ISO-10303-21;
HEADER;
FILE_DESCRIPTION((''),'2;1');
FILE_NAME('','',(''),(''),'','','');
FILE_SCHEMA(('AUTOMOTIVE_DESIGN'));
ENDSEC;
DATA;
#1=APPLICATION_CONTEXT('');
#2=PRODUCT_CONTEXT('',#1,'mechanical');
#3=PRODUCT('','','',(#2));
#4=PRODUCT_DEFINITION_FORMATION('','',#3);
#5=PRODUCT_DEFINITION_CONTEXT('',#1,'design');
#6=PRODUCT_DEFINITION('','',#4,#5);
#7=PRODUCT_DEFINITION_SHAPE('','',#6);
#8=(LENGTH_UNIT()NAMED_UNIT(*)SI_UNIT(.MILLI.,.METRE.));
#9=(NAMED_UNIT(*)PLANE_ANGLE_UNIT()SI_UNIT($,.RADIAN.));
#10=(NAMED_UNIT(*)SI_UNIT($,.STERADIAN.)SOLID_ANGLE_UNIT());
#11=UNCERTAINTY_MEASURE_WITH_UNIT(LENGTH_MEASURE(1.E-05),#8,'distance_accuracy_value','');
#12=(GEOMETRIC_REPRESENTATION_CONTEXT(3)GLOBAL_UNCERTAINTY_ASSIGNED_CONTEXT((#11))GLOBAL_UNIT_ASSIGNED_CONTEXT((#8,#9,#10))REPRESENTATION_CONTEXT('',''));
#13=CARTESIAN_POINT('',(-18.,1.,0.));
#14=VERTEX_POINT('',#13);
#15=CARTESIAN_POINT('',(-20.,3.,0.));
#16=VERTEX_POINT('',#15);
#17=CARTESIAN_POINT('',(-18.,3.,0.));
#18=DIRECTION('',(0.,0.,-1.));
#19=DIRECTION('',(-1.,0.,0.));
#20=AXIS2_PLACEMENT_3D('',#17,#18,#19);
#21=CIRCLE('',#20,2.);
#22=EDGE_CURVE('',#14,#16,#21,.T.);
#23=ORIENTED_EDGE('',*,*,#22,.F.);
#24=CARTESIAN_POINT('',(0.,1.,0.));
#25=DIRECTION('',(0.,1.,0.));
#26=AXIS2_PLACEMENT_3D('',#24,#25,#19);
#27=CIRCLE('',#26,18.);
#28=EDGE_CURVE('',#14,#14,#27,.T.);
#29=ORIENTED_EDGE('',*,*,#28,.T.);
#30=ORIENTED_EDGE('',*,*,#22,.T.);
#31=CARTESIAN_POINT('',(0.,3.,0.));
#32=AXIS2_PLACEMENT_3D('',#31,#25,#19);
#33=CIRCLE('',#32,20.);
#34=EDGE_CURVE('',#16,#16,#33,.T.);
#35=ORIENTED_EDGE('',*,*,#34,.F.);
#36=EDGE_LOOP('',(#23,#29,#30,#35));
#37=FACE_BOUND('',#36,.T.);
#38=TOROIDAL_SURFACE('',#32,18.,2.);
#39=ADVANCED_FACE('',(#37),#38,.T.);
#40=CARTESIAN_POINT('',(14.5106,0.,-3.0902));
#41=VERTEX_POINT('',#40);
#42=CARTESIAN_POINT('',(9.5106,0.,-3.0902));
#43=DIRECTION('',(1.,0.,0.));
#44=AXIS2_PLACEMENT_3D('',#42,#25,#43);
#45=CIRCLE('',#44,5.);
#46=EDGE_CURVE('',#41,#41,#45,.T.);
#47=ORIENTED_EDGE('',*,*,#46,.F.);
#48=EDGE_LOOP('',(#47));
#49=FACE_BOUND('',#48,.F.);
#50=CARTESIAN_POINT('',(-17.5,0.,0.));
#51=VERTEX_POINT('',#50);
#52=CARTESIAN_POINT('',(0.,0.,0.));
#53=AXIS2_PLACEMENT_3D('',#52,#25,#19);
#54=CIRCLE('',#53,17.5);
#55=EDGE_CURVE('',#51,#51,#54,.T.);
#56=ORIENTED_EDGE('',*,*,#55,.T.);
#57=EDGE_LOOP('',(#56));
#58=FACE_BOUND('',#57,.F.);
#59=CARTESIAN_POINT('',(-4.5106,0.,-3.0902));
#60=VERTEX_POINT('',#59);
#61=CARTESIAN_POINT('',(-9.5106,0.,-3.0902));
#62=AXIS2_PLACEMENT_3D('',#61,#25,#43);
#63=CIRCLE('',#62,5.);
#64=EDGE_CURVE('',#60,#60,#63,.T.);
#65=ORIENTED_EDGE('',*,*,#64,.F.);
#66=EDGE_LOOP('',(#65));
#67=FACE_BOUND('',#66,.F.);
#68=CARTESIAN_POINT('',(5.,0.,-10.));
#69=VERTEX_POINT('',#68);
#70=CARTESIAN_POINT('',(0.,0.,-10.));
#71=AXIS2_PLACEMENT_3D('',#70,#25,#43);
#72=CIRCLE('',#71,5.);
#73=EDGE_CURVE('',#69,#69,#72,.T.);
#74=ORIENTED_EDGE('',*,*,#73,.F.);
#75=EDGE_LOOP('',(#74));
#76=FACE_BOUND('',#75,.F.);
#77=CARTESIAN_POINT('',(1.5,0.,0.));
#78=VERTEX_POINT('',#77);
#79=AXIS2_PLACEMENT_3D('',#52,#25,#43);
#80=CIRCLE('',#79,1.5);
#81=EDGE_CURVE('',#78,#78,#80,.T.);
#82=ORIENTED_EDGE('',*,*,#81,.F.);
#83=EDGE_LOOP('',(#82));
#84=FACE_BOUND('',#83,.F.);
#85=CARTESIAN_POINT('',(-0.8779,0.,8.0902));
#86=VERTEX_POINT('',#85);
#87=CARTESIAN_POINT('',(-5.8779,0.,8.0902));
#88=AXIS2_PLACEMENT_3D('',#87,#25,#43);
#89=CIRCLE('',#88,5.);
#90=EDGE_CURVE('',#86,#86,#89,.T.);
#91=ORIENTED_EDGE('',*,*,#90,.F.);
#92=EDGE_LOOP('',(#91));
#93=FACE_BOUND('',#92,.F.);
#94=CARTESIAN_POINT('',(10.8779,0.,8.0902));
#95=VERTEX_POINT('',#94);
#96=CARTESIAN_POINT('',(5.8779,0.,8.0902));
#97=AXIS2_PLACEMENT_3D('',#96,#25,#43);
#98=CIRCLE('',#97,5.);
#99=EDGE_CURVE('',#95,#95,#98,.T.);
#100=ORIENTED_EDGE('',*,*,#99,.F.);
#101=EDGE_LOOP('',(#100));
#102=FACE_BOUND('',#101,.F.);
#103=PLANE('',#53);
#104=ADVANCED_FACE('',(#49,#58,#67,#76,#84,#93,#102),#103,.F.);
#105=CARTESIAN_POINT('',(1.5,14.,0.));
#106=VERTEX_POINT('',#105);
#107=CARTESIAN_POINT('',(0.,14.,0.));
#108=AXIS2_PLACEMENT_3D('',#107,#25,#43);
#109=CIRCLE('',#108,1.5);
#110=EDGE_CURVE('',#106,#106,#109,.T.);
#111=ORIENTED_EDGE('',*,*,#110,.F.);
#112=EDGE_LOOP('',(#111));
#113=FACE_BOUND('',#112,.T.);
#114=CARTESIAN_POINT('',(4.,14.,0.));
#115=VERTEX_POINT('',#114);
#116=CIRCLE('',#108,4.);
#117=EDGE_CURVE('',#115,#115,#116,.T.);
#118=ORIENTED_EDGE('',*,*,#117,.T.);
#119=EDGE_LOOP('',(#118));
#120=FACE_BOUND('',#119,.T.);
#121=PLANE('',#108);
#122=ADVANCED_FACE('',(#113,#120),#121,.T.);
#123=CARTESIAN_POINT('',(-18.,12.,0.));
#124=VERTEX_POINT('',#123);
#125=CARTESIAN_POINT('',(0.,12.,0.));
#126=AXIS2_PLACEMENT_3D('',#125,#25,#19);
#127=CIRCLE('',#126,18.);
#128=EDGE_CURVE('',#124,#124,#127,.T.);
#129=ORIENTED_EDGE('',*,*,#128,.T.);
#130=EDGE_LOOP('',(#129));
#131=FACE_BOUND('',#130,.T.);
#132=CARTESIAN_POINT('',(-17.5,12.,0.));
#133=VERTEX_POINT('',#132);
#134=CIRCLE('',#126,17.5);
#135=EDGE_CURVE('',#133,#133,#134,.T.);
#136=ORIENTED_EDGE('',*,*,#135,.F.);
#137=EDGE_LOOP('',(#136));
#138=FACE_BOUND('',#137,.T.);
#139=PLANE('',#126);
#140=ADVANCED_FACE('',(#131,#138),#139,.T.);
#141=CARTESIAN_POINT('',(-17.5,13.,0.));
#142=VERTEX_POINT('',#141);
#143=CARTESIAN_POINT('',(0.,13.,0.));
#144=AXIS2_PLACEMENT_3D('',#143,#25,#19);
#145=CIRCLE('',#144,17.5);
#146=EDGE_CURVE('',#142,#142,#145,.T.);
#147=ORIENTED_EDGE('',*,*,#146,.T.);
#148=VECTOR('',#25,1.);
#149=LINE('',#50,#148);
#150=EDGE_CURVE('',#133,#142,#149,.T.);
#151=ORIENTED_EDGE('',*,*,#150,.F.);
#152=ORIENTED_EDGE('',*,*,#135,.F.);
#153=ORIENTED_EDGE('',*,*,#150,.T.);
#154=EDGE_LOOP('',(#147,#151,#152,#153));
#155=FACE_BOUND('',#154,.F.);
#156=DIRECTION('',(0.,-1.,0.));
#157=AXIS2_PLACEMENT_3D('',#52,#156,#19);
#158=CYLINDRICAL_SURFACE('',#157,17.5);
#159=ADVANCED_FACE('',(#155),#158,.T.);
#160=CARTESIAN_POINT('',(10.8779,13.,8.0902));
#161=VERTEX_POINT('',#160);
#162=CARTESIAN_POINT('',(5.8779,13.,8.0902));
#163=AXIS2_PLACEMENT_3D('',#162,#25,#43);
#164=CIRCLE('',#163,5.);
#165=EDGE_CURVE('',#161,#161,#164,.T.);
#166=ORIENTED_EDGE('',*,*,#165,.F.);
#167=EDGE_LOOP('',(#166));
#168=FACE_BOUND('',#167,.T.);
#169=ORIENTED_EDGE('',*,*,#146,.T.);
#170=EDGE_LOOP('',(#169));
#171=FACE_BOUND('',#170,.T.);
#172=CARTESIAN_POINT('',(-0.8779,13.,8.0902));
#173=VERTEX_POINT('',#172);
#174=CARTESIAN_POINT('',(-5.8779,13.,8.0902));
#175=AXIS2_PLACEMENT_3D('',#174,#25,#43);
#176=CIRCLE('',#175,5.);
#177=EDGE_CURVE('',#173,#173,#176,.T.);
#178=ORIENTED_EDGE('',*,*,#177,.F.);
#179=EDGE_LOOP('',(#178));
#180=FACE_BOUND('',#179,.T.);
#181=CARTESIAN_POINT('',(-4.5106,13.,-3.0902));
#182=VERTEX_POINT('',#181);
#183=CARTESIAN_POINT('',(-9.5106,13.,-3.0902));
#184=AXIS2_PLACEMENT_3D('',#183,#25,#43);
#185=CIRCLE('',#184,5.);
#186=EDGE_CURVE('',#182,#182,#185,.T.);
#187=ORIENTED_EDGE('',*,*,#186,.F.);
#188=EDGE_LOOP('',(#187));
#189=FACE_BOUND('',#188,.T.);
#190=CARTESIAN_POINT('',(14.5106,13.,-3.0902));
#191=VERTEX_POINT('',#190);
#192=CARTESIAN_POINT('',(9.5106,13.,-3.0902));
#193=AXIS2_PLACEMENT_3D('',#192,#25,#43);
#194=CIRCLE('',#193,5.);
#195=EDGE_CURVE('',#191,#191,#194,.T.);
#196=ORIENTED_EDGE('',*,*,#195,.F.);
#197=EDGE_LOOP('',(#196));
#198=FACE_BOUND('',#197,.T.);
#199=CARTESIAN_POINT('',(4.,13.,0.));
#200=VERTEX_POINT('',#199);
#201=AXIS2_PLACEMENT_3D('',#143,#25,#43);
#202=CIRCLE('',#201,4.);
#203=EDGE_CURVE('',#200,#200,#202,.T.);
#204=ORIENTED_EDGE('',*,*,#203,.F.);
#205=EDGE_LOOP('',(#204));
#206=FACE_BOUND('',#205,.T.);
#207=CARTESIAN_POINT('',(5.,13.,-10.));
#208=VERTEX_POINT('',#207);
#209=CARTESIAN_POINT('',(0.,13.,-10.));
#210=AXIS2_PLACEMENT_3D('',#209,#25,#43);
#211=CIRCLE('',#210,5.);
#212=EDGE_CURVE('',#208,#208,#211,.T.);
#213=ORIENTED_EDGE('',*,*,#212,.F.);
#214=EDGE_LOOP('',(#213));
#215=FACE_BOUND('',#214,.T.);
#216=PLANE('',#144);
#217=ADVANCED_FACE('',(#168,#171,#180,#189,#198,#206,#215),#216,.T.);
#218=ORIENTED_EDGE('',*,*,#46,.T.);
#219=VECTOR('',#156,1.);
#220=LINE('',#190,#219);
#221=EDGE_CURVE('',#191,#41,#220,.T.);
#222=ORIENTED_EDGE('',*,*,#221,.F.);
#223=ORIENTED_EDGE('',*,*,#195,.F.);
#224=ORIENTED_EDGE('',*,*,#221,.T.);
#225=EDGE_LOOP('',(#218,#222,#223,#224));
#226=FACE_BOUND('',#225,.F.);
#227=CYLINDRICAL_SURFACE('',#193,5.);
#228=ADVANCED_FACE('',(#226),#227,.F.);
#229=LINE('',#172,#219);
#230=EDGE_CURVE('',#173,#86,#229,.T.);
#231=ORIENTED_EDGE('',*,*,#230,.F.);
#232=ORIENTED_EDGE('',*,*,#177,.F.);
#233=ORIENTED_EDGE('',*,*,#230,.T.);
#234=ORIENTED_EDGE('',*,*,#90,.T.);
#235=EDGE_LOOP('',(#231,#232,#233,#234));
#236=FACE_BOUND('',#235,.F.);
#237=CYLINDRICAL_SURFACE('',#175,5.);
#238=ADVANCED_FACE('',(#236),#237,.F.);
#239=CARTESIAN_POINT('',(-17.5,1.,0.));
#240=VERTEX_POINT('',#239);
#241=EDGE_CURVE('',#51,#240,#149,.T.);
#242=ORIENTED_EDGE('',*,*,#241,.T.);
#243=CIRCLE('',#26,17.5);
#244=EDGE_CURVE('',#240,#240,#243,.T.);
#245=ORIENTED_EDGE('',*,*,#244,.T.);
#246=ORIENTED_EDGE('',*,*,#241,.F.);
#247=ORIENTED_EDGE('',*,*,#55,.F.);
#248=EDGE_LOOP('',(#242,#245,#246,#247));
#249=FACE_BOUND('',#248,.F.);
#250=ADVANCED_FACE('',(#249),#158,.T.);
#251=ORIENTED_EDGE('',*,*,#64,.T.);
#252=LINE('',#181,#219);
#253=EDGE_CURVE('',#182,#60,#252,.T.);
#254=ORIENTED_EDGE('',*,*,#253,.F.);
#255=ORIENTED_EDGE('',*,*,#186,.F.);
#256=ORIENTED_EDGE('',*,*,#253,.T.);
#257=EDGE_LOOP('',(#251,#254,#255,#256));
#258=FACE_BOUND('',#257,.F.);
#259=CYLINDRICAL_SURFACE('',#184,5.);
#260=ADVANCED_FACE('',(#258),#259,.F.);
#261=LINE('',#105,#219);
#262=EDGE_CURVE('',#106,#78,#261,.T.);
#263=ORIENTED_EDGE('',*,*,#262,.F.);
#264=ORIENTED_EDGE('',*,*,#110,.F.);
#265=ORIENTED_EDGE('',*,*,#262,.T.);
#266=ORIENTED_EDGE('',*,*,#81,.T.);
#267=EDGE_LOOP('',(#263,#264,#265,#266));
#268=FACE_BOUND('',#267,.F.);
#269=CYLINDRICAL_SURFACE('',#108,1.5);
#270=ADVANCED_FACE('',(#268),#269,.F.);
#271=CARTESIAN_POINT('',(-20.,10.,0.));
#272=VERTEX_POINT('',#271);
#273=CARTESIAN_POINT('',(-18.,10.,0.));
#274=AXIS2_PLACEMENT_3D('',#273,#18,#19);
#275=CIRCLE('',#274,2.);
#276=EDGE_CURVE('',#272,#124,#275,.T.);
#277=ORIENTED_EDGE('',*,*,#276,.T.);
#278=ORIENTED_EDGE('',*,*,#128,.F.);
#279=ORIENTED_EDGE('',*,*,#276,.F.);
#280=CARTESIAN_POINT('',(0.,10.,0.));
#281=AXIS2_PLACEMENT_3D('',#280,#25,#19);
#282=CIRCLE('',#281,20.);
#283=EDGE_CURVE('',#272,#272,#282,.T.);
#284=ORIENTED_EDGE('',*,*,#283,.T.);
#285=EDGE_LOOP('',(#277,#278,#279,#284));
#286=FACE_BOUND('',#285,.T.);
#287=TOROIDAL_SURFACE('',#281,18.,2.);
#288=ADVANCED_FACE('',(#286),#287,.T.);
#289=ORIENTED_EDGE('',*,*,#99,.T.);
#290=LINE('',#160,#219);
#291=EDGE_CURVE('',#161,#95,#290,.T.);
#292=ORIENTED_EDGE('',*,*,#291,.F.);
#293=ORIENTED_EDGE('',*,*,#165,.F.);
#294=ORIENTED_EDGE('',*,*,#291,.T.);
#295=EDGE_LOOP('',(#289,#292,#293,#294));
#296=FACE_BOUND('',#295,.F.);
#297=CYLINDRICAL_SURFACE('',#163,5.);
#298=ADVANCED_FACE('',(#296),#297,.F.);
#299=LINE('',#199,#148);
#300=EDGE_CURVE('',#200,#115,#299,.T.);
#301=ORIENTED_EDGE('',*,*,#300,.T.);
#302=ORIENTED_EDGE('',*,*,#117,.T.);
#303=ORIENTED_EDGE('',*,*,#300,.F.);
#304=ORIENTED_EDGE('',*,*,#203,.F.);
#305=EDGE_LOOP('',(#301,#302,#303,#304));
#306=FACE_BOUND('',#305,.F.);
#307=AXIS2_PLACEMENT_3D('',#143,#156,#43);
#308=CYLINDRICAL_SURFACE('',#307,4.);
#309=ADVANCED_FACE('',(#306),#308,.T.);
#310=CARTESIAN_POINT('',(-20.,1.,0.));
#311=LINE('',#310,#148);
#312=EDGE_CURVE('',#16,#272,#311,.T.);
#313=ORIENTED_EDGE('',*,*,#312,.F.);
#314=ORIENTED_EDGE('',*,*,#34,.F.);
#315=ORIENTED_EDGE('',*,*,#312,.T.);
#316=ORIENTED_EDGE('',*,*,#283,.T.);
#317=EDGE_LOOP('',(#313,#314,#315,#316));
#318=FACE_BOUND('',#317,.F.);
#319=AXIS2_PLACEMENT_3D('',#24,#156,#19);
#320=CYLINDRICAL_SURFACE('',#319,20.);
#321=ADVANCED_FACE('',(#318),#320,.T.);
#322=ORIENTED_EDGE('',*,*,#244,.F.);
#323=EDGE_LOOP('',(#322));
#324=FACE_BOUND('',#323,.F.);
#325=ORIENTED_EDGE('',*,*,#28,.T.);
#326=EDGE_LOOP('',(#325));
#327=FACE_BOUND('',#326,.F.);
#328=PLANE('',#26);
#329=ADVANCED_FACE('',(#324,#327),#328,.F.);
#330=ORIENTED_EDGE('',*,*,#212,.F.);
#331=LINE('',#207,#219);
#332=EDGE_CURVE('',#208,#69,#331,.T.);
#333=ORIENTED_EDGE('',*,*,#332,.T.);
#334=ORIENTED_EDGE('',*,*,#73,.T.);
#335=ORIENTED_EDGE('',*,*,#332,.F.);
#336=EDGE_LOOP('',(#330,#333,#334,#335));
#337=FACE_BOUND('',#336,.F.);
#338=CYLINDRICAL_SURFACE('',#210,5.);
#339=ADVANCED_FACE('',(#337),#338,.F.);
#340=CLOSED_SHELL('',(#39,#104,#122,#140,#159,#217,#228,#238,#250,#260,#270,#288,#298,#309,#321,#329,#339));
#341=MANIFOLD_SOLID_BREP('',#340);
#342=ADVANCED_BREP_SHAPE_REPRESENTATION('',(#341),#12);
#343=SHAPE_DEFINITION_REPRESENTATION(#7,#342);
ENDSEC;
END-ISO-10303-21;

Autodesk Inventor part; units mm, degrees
ref_plane "YZ Plane" through (0, 0, 0) normal (1, 0, 0) x (0, 1, 0)
ref_plane "XY Plane" through (0, 0, 0) normal (0, 0, 1) x (1, 0, 0)
sketch "Boceto1" plane through (0, 0, 0) normal (0, 1, 0) x (-1, 0, 0)
  circle A0 centre (0, 0) radius 17.5
  dimension "d0" = 35
extrude "Extrusión1" add sketch "Boceto1" along normal blind 13
sketch "Boceto2" plane through (0, 13, 0) normal (0, 1, 0) x (1, 0, 0)
  circle A0 centre (0, 0) radius 17.5 projected
  circle A1 centre (0, 0) radius 4
  circle A2 centre (0, 10) radius 5
  circle A3 centre (-9.5106, 3.0902) radius 5
  circle A4 centre (-5.8779, -8.0902) radius 5
  circle A5 centre (5.8779, -8.0902) radius 5
  circle A6 centre (9.5106, 3.0902) radius 5
  circle A7 centre (0, 0) radius 17.5 projected
  dimension "d3" = 8
  dimension "d4" = 10
  dimension "d5" = 10
  dimension "d8" = 360
extrude "Extrusión2" add sketch "Boceto2" along normal blind 1 contours A1
extrude "Extrusión3" cut sketch "Boceto2" against normal blind 15 contours A2 | A3 | A4 | A5 | A6
sketch "Boceto3" plane through (0, 14, 0) normal (0, 1, 0) x (1, 0, 0)
  circle A0 centre (0, 0) radius 1.5
  dimension "d14" = 3
extrude "Extrusión4" cut sketch "Boceto3" against normal blind 15
ref_plane "Plano de trabajo1" through (0, 1, 0) normal (0, 1, 0) x (-1, 0, 0)
sketch "Boceto4" plane through (0, 1, 0) normal (0, 1, 0) x (-1, 0, 0)
  circle A0 centre (5.8779, 8.0902) radius 5 projected
  circle A1 centre (-9.5106, -3.0902) radius 5 projected
  circle A2 centre (9.5106, -3.0902) radius 5 projected
  circle A3 centre (0, -10) radius 5 projected
  circle A4 centre (-5.8779, 8.0902) radius 5 projected
  circle A5 centre (0, 0) radius 4 projected
  circle A6 centre (0, 0) radius 17.5 projected
  circle A7 centre (0, 0) radius 20
  dimension "d18" = 40
extrude "Extrusión5" add sketch "Boceto4" along normal blind 11 contours A7
fillet "Empalme1" radius 2 2 edges at (20, 12, 0) (20, 1, 0)
properties part number "Rueda" material "Caucho, butilo(1)"
